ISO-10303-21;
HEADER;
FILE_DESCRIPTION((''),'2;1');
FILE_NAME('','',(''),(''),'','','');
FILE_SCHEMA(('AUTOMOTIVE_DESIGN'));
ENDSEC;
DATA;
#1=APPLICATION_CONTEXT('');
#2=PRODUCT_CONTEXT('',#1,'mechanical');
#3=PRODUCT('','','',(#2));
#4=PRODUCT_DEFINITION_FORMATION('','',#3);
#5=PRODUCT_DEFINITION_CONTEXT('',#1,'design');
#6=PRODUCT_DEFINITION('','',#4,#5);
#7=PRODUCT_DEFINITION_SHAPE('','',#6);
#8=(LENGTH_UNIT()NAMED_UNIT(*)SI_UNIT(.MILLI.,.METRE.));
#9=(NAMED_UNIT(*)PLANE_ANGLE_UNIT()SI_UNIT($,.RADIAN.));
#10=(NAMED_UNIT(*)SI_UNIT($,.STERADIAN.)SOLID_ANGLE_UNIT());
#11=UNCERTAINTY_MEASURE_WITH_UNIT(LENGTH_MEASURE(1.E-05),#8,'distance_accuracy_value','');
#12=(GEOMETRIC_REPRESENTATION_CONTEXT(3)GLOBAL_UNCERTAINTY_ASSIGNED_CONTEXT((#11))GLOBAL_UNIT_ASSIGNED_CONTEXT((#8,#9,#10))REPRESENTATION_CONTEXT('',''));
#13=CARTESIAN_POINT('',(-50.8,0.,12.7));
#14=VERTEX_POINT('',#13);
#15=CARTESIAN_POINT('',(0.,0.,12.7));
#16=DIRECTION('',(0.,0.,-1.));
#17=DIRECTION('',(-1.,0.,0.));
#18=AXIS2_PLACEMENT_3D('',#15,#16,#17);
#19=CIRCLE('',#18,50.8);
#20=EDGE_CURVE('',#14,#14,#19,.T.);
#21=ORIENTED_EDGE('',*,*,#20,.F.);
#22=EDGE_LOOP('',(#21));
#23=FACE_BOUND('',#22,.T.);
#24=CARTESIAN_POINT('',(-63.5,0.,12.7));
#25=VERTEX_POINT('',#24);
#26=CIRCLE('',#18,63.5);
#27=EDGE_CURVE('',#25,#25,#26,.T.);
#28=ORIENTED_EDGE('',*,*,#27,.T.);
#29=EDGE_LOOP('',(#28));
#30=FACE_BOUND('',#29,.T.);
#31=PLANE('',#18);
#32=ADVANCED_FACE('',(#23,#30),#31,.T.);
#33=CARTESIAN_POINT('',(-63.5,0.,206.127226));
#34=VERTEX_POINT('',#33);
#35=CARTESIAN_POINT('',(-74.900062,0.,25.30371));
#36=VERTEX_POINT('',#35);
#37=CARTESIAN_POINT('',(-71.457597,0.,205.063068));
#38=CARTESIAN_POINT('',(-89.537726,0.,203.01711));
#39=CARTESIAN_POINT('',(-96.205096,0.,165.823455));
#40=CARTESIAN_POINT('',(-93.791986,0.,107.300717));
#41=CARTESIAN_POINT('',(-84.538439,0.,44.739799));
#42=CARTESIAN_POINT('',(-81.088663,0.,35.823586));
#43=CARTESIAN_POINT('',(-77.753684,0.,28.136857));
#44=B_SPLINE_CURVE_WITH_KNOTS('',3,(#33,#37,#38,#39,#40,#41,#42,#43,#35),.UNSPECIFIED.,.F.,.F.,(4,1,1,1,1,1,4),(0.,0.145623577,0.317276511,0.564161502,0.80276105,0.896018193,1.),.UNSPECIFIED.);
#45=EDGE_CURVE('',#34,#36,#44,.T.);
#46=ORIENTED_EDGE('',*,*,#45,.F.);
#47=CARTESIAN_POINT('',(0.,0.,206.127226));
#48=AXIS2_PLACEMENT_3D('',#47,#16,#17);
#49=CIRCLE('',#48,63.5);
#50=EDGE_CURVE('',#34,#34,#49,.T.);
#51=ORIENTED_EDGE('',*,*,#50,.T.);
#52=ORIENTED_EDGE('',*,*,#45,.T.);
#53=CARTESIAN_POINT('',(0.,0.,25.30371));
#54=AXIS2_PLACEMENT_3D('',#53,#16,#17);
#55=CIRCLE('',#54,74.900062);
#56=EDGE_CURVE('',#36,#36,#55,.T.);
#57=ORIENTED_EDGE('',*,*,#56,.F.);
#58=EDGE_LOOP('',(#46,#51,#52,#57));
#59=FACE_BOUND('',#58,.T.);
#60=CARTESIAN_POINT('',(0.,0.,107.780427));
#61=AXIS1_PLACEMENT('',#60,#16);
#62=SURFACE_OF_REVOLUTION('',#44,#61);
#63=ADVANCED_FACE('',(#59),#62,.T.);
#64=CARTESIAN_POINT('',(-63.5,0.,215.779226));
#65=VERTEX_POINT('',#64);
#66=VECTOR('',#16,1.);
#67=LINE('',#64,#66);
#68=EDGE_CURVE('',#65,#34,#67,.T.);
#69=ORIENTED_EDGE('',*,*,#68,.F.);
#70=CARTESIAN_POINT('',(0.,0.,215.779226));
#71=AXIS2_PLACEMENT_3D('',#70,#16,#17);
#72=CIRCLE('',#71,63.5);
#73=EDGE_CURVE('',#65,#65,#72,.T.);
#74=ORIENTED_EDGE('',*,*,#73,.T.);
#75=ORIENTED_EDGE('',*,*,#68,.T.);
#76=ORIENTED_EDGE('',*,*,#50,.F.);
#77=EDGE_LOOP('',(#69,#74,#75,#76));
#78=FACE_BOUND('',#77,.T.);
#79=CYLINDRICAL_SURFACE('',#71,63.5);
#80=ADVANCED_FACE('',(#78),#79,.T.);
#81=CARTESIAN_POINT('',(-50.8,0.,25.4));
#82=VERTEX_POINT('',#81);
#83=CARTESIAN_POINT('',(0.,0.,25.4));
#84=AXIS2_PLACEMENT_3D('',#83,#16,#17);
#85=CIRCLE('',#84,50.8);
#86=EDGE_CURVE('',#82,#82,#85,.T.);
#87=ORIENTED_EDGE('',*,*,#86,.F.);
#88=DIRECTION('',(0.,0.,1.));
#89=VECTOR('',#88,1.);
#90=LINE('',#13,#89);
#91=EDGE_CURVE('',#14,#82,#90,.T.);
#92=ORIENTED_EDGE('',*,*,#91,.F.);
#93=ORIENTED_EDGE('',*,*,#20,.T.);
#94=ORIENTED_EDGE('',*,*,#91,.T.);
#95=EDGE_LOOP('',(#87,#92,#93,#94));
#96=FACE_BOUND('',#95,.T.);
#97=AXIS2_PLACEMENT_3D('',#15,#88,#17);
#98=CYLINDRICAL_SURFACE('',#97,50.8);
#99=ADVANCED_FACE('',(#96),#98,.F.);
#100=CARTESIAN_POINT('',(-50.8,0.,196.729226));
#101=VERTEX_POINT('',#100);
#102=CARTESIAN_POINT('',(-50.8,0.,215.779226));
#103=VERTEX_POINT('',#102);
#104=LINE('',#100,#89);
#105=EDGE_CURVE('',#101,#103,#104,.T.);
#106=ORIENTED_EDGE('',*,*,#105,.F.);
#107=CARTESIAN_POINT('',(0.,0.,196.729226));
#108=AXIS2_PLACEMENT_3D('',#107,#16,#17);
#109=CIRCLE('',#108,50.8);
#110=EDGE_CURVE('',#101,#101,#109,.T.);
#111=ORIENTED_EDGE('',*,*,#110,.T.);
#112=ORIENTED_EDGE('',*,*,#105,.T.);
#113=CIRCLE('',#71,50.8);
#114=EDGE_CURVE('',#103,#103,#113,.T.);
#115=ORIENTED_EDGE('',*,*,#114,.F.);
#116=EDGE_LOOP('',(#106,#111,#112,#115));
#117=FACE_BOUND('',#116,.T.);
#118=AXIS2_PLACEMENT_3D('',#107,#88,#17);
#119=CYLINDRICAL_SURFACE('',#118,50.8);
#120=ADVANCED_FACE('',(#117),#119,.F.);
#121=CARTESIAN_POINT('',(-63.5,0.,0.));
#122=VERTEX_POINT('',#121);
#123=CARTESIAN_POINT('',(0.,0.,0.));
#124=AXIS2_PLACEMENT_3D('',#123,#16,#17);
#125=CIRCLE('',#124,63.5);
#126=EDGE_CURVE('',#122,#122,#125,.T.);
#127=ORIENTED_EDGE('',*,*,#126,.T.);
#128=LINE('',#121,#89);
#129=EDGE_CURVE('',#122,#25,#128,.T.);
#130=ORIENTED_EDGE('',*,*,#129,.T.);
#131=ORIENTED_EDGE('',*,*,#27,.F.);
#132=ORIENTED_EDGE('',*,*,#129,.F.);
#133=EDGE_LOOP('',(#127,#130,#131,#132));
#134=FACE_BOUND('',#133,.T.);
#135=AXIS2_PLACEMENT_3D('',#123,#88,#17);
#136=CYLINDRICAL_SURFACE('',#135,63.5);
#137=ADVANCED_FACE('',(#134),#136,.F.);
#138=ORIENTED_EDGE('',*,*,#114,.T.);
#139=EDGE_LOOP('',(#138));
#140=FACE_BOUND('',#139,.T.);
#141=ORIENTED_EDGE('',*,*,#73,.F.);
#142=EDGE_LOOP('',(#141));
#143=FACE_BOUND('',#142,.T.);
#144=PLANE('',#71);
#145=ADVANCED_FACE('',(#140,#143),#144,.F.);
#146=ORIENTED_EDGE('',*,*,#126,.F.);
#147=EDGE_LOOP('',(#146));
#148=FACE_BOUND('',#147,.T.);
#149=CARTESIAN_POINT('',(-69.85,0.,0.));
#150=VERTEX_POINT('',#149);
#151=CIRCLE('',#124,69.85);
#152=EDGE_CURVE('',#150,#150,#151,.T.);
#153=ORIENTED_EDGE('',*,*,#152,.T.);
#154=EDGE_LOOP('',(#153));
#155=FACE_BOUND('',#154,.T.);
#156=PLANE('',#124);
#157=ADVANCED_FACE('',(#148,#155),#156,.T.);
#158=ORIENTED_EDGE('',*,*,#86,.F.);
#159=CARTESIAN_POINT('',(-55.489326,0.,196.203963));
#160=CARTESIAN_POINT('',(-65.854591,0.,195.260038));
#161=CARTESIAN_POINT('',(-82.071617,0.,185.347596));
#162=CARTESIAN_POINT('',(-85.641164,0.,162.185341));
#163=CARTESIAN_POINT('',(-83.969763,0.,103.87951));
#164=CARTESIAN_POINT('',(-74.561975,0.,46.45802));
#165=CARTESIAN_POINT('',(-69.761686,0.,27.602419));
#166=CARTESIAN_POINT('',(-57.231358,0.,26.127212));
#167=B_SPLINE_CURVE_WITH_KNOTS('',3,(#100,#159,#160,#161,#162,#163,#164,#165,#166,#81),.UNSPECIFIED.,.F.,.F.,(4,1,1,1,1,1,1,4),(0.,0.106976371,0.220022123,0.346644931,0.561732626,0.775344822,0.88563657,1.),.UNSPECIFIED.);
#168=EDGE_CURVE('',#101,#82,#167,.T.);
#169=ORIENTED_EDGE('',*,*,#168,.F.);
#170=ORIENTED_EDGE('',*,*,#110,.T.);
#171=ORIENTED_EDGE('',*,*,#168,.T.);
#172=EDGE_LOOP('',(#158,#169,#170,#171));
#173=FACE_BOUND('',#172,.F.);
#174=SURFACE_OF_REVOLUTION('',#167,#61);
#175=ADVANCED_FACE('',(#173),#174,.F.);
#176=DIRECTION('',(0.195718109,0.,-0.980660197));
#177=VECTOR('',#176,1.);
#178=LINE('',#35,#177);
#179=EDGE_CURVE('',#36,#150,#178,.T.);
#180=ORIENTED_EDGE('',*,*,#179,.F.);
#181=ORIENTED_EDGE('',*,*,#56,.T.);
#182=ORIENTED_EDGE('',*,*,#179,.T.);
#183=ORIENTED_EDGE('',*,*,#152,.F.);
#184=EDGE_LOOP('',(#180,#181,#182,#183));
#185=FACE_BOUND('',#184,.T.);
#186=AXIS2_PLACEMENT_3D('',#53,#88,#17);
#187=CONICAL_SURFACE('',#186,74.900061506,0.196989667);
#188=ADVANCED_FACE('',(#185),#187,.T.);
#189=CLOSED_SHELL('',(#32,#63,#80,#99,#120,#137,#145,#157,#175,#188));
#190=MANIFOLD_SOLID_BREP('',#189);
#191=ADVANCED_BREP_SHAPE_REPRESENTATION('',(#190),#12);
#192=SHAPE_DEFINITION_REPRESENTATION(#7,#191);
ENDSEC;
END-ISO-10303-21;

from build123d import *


with BuildPart() as f1:
    # F0 (on Front) → F1 (revolve)
    with BuildSketch(Plane.XZ):
        with BuildLine():
            Line((-63.5, 12.7), (-50.8, 12.7))
            Line((-50.8, 12.7), (-50.8, 25.4))
            add(Edge.make_bspline(
                [(-50.8, 196.7292263527), (-55.4893262235, 196.2039625073), (-65.8545906197, 195.2600382897), (-82.0716172237, 185.3475962145), (-85.641164119, 162.1853411346), (-83.9697627929, 103.8795101599), (-74.5619746661, 46.4580197926), (-69.7616856244, 27.6024186187), (-57.2313578049, 26.1272115119), (-50.8, 25.4)],
                knots=[0, 0, 0, 0, 0.1069763712, 0.2200221229, 0.3466449315, 0.5617326258, 0.7753448222, 0.8856365704, 1, 1, 1, 1], degree=3))
            Line((-50.8, 196.7292263527), (-50.8, 215.7792263527))
            Line((-50.8, 215.7792263527), (-63.5, 215.7792263527))
            Line((-63.5, 215.7792263527), (-63.5, 206.1272263527))
            add(Edge.make_bspline(
                [(-63.5, 206.1272263527), (-71.4575969978, 205.063067953), (-89.5377256718, 203.0171096587), (-96.2050962488, 165.8234545976), (-93.7919861007, 107.3007174993), (-84.5384389717, 44.7397990425), (-81.0886634133, 35.8235857126), (-77.7536841536, 28.1368566047), (-74.900061506, 25.303710252)],
                knots=[0, 0, 0, 0, 0.1456235773, 0.3172765114, 0.5641615023, 0.8027610497, 0.8960181934, 1, 1, 1, 1], degree=3))
            Line((-74.900061506, 25.303710252), (-69.85, 0))
            Line((-69.85, 0), (-63.5, 0))
            Line((-63.5, 0), (-63.5, 12.7))
        make_face()
    revolve(axis=Axis((0, 0, 107.7804267406), (0, 0, -1)))


solid = f1.part
